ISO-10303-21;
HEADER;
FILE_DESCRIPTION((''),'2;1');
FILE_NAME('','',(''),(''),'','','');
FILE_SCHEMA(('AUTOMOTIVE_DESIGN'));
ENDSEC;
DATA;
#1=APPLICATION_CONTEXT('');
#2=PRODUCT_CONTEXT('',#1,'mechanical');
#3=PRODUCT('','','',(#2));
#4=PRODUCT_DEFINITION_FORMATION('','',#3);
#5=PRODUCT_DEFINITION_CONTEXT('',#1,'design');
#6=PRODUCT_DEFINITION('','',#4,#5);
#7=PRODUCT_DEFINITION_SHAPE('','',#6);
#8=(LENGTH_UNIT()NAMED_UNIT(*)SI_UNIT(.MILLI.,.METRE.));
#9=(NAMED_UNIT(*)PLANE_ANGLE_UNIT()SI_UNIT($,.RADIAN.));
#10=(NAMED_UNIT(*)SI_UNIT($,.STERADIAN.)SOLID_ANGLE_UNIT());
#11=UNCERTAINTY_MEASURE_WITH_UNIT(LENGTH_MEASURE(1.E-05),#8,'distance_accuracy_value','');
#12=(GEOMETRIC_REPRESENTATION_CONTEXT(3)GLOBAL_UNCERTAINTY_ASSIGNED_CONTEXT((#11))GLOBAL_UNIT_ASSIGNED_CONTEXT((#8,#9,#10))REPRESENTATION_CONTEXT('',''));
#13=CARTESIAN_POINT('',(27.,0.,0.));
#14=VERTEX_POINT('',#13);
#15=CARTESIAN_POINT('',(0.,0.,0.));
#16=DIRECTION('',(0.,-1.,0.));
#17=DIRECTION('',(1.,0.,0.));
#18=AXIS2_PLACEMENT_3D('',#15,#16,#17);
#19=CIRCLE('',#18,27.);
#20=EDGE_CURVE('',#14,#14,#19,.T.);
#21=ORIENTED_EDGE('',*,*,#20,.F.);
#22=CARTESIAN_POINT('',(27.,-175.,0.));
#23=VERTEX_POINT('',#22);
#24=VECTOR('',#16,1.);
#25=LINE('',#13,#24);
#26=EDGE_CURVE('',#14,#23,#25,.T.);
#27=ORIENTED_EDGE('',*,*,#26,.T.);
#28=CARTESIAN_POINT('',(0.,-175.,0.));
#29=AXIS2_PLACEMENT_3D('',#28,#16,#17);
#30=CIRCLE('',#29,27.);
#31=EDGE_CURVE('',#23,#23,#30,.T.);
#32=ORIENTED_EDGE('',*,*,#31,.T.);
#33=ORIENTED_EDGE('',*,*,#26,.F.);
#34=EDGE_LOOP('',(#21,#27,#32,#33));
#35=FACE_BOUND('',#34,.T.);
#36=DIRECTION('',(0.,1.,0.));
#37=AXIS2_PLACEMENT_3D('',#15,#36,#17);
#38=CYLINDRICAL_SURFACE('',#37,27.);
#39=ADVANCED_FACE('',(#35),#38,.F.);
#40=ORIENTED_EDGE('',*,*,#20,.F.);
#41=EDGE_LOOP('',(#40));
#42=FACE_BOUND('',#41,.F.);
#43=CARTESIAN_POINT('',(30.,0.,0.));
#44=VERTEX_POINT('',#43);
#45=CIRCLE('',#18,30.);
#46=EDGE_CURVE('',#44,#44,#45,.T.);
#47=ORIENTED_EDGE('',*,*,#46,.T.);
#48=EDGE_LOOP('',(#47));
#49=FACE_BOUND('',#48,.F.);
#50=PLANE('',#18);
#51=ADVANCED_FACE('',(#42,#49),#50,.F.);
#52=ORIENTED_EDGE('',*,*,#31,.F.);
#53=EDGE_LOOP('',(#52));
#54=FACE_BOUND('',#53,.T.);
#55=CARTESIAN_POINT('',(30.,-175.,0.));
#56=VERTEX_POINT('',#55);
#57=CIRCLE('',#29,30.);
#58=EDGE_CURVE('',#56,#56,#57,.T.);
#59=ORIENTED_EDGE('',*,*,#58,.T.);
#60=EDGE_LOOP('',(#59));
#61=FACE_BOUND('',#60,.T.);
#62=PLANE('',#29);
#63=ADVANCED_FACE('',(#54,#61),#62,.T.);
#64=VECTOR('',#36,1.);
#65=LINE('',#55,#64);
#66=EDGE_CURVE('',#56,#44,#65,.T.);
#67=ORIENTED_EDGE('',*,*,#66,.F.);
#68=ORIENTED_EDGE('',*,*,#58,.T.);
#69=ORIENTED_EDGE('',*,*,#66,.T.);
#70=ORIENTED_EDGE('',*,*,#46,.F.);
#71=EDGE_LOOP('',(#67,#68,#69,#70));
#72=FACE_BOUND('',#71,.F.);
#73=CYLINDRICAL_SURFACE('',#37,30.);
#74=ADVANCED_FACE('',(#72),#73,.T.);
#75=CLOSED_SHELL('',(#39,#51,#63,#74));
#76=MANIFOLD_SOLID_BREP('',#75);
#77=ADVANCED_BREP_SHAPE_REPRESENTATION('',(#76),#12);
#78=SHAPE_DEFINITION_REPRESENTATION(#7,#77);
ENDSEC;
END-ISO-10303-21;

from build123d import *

# Parameters (mm, degrees)
F0_R     = 30
F0_R_2   = 27
F1_DEPTH = 25
F2_DEPTH = 175


with BuildPart() as f1:
    # F0 (on Front) → F1 (new body)
    with BuildSketch(Plane.XZ):
        Circle(F0_R)
        Circle(F0_R_2, mode=Mode.SUBTRACT)
    extrude(amount=F1_DEPTH)

    # F0 (on Front) → F2 (join)
    with BuildSketch(Plane.XZ):
        Circle(F0_R)
        Circle(F0_R_2, mode=Mode.SUBTRACT)
    extrude(amount=F2_DEPTH)


solid = f1.part
